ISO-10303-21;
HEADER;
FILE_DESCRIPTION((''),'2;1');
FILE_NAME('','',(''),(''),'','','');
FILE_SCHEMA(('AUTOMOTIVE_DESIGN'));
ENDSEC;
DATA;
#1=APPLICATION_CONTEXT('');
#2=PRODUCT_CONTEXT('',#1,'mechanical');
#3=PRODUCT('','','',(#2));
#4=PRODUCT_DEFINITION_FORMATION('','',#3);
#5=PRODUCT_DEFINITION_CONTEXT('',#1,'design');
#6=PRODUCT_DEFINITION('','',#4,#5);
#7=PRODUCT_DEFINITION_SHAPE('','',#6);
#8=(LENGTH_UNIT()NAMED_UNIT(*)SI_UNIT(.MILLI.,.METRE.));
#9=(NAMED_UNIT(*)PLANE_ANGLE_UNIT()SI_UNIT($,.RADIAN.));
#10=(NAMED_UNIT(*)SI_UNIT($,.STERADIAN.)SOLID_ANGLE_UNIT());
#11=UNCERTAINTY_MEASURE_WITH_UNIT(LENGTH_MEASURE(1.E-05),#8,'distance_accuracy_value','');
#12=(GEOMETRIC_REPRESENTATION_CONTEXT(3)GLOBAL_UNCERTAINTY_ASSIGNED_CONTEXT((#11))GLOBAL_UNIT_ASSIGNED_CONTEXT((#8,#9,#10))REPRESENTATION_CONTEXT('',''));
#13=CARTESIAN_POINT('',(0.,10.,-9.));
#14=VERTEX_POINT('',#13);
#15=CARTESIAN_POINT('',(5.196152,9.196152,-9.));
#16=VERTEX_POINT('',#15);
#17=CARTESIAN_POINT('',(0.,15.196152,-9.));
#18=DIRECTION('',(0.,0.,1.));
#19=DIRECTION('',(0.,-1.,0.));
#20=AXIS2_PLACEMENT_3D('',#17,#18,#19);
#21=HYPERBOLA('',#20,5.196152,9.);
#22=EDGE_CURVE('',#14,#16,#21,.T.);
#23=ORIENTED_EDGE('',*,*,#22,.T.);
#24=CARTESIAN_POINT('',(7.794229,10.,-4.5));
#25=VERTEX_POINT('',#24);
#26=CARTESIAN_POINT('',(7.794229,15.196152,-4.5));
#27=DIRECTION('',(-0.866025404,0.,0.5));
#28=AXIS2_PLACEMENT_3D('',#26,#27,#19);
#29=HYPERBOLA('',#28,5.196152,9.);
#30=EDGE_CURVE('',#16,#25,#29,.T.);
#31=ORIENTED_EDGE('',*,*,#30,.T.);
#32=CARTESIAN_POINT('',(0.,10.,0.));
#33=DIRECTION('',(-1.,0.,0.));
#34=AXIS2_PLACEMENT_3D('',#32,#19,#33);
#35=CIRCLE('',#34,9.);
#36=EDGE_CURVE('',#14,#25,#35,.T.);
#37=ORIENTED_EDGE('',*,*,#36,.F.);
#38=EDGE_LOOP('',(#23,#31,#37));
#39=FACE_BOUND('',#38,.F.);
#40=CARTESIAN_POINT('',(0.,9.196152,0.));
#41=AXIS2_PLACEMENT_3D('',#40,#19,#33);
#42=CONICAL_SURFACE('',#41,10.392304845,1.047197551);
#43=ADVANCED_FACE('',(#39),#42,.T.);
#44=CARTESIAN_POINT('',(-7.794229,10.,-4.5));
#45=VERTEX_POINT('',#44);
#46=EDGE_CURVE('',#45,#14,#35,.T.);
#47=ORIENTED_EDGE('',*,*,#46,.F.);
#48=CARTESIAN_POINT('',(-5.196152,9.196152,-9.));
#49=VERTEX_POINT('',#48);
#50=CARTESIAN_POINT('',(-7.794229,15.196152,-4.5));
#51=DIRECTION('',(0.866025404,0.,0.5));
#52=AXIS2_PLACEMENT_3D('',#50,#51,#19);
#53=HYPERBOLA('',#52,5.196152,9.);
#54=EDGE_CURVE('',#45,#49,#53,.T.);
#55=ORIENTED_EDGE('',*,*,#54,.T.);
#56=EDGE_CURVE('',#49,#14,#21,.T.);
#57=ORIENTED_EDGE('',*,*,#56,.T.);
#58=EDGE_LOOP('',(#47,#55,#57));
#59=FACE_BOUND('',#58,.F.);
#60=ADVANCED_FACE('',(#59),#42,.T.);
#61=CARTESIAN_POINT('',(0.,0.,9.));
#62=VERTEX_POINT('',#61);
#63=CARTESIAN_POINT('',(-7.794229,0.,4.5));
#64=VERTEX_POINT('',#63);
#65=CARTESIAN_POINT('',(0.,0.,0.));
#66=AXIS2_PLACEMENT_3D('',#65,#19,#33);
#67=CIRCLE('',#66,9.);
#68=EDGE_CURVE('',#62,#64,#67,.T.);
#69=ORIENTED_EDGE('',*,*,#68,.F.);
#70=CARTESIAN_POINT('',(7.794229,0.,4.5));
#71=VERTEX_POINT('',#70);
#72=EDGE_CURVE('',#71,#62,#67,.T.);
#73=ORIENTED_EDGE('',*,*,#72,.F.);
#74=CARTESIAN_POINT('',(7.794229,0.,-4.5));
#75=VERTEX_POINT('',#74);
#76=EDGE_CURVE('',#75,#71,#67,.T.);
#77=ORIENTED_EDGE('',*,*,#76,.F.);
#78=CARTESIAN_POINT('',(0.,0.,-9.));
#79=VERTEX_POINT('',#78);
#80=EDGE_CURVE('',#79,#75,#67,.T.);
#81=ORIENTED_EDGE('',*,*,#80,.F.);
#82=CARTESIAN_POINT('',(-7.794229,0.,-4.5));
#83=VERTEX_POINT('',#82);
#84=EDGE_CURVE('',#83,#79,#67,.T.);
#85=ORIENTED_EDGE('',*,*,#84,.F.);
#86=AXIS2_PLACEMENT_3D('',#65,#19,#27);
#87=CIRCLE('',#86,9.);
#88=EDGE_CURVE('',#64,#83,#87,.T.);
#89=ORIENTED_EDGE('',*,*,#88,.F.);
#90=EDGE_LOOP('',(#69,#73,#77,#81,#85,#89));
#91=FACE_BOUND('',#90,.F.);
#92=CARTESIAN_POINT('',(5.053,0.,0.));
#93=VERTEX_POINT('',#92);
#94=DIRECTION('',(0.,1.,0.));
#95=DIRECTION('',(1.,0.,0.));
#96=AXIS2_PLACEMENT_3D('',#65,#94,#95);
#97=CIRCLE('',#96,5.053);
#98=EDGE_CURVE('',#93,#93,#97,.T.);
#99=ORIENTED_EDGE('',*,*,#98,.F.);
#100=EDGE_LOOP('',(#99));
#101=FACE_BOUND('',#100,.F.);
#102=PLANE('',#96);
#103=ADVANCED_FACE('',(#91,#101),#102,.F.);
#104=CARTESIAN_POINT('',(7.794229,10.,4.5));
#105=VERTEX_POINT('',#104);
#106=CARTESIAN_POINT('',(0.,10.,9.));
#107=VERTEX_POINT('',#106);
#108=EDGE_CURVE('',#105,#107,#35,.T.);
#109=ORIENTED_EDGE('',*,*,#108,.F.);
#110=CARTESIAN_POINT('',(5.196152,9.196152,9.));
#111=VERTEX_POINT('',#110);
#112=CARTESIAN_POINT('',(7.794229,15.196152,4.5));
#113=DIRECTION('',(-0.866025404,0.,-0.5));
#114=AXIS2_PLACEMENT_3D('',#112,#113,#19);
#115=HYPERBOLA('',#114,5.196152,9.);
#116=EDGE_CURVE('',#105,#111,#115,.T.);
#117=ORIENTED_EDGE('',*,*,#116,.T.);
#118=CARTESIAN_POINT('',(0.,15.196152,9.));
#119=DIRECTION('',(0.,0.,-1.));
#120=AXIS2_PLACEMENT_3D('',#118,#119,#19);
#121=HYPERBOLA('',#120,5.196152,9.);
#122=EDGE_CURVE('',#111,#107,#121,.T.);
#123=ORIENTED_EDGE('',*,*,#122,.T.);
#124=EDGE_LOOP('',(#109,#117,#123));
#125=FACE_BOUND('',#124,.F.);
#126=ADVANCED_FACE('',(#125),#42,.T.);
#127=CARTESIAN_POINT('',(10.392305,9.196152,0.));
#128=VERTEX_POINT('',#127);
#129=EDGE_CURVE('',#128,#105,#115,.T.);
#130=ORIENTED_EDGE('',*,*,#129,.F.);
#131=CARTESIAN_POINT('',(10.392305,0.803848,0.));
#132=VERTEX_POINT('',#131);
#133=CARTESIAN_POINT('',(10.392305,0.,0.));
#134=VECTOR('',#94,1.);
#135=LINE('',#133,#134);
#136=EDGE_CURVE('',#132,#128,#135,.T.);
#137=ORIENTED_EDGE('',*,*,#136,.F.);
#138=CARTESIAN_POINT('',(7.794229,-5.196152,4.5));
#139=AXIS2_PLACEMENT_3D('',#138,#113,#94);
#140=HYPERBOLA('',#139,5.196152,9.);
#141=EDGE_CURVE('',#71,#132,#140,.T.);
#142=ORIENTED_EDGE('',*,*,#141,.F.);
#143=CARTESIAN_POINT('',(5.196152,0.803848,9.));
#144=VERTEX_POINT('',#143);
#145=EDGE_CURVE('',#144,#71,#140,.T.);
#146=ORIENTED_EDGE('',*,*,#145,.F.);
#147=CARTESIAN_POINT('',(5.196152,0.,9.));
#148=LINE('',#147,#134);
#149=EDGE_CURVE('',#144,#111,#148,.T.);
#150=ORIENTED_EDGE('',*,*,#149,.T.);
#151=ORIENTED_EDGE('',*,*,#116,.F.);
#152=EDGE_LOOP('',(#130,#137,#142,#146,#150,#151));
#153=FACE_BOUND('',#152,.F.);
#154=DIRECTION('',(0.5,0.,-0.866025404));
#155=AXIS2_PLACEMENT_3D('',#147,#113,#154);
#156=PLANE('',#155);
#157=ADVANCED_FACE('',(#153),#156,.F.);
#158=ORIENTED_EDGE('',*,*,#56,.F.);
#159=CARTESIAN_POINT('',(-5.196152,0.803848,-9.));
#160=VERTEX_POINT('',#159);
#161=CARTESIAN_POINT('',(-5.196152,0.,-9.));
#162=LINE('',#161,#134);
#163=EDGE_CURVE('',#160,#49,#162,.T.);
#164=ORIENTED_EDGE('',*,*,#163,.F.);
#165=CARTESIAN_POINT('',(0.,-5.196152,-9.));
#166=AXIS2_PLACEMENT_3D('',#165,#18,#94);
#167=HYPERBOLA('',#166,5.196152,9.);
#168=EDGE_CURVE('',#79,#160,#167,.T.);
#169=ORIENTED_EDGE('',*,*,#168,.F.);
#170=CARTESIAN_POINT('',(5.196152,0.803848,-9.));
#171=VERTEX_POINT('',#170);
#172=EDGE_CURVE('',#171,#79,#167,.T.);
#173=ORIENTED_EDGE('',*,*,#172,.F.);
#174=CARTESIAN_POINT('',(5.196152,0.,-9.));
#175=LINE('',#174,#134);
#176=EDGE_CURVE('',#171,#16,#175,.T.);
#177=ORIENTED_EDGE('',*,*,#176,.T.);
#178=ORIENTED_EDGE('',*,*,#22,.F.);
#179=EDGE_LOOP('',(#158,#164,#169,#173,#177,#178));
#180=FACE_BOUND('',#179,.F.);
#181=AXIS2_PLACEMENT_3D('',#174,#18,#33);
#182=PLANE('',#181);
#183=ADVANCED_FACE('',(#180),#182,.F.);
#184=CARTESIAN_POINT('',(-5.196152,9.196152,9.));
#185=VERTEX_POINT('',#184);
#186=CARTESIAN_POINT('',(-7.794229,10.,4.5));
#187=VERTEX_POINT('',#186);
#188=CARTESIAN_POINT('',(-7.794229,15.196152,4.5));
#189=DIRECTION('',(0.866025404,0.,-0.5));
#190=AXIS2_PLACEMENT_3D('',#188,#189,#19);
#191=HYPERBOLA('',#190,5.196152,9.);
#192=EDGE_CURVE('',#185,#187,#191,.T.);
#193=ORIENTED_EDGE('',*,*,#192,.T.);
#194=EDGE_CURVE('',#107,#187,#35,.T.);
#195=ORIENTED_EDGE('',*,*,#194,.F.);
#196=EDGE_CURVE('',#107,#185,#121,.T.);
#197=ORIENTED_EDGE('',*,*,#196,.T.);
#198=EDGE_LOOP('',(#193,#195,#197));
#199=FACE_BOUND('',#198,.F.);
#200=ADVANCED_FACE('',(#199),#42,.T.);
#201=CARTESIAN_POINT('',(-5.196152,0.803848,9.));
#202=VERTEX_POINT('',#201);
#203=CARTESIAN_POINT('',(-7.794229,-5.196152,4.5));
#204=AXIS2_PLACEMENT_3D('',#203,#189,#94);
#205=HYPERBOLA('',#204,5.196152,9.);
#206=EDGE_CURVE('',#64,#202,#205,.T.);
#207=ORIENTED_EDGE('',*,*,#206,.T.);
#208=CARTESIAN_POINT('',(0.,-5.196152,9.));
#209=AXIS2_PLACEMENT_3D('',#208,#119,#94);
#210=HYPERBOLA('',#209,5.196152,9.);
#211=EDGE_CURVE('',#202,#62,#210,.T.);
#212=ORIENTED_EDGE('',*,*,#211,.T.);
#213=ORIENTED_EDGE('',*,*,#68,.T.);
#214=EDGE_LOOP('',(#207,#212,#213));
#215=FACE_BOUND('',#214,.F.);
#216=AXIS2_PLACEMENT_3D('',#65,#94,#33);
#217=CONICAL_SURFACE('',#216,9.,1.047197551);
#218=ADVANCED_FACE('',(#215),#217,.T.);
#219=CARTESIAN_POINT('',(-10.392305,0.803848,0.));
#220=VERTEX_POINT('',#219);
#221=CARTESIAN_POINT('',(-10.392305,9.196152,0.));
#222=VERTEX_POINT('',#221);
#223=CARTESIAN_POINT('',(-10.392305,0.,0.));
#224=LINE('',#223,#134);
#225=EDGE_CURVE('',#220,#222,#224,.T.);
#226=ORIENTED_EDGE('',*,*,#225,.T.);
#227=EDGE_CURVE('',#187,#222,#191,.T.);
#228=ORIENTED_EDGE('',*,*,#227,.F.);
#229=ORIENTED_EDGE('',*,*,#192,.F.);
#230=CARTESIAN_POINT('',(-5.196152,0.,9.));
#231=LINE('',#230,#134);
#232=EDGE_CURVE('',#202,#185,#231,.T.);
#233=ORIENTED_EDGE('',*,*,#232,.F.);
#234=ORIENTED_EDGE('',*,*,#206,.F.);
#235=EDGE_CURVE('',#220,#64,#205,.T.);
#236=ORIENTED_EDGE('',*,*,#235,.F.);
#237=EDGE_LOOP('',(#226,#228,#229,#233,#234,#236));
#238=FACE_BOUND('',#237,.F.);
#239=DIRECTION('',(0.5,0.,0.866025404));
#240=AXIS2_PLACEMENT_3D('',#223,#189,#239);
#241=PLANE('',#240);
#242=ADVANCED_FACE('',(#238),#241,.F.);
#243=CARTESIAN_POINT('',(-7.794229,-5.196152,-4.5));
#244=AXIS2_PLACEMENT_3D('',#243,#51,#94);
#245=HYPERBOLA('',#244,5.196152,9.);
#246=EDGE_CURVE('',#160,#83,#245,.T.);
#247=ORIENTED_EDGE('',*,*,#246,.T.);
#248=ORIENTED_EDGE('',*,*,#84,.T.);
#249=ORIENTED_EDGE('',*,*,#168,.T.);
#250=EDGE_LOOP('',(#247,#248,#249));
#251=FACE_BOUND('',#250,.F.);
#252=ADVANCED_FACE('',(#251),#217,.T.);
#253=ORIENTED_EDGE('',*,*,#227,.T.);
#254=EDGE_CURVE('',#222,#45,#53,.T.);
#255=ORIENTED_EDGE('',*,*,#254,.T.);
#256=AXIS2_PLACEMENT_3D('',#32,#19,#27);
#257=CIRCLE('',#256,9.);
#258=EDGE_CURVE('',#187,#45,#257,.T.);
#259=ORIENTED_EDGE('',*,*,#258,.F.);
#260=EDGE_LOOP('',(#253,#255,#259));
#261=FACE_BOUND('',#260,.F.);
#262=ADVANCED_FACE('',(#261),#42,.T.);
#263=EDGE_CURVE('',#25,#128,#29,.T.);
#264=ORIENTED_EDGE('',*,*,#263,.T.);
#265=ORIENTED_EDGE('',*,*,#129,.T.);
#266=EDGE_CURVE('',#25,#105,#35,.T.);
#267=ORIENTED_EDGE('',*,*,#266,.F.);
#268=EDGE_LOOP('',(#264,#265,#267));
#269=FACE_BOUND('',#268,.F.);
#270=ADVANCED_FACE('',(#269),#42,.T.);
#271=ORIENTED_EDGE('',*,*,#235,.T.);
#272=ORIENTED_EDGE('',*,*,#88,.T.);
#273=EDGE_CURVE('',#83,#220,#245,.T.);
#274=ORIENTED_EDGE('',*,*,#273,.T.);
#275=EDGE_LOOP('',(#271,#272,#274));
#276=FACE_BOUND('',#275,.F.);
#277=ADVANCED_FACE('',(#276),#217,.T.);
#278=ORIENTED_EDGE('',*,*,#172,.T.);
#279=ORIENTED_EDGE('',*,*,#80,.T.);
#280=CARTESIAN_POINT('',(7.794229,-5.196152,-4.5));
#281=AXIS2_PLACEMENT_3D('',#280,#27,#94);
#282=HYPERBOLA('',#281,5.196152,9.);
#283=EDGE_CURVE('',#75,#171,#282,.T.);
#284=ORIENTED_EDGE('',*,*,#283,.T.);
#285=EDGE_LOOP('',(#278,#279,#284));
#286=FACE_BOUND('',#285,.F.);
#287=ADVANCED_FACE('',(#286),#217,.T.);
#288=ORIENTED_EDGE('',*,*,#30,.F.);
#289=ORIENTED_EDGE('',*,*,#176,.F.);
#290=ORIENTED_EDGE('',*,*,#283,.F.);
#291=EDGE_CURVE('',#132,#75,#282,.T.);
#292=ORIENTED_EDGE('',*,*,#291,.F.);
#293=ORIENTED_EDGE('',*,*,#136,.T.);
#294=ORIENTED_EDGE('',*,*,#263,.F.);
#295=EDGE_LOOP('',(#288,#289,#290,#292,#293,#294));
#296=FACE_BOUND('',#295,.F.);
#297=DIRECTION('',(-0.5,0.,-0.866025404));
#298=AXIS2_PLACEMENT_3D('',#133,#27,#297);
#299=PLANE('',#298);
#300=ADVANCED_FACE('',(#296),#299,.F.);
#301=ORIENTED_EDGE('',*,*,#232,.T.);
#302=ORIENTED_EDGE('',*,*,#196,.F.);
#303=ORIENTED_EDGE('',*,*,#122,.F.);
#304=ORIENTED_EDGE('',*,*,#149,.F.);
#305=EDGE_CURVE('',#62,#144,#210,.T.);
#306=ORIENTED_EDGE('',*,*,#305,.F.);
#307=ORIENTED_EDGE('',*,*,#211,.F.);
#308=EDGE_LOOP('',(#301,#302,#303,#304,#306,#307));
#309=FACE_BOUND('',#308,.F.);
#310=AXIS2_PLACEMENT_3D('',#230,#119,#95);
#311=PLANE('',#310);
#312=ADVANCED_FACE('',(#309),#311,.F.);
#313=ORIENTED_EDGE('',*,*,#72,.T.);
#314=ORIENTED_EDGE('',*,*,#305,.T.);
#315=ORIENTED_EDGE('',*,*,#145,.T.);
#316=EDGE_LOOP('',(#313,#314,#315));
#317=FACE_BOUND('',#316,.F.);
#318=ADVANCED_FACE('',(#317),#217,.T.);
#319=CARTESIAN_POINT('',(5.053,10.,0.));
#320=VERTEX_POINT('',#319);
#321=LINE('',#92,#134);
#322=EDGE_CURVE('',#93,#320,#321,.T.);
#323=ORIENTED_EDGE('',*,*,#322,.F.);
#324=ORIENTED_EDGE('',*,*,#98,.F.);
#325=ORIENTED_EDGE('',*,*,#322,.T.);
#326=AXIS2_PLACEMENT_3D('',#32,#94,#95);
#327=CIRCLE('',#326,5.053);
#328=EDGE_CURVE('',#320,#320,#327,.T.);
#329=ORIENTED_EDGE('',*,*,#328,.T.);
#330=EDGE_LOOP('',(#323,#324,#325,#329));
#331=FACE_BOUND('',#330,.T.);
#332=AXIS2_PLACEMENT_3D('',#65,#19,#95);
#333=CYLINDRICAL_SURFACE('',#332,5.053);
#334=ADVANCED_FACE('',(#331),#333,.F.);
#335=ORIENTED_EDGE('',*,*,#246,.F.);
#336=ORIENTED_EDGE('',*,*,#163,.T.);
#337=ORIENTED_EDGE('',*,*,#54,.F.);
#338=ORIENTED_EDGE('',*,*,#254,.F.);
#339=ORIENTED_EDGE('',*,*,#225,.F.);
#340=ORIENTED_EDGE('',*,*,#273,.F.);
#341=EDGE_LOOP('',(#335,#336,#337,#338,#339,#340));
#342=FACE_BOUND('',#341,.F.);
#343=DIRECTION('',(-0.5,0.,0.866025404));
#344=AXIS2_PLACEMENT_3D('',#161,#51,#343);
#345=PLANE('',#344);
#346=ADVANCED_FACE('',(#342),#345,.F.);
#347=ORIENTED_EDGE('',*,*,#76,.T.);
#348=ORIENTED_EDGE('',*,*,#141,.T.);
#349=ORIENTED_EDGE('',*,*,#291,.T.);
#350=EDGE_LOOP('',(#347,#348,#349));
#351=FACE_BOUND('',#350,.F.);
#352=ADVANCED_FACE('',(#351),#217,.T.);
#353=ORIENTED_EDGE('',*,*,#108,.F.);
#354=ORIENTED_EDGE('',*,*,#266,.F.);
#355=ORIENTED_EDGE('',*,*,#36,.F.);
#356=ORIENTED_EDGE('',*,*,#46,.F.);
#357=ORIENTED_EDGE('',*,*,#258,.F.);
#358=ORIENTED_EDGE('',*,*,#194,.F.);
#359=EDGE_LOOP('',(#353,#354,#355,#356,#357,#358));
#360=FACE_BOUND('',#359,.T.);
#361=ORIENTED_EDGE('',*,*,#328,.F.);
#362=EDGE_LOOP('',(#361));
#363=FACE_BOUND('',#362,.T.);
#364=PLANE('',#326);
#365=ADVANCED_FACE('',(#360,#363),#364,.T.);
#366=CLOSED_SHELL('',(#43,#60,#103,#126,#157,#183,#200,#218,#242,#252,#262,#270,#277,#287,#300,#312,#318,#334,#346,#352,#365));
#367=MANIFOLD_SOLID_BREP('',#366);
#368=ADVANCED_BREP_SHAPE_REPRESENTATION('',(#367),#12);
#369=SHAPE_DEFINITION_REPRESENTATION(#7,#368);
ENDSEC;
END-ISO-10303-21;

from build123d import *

# Parameters (mm, degrees)
SKETCH1_R           = 5.053
BOSS_EXTRUDE1_DEPTH = 10


with BuildPart() as part:
    # Sketch1 → Boss-Extrude1 (new body)
    with BuildSketch(Plane(origin=(0, 0, 0), x_dir=(1, 0, 0), z_dir=(0, 1, 0))):
        Polygon((5.196152423, 9), (-5.196152423, 9), (-10.392304845, 0), (-5.196152423, -9), (5.196152423, -9), (10.392304845, 0), align=None)
        Circle(SKETCH1_R, mode=Mode.SUBTRACT)
    extrude(amount=BOSS_EXTRUDE1_DEPTH)

    # Sketch2 → Cut-Revolve1 (revolve, cut)
    with BuildSketch(Plane.XY):
        Polygon((-10.392304845, 0.803847577), (-10.392304845, 0), (-9, 0), align=None)
        Polygon((-10.392304845, 10), (-10.392304845, 9.196152423), (-9, 10), align=None)
    revolve(axis=Axis((0, 55, 0), (0, -1, 0)), mode=Mode.SUBTRACT)


solid = part.part
